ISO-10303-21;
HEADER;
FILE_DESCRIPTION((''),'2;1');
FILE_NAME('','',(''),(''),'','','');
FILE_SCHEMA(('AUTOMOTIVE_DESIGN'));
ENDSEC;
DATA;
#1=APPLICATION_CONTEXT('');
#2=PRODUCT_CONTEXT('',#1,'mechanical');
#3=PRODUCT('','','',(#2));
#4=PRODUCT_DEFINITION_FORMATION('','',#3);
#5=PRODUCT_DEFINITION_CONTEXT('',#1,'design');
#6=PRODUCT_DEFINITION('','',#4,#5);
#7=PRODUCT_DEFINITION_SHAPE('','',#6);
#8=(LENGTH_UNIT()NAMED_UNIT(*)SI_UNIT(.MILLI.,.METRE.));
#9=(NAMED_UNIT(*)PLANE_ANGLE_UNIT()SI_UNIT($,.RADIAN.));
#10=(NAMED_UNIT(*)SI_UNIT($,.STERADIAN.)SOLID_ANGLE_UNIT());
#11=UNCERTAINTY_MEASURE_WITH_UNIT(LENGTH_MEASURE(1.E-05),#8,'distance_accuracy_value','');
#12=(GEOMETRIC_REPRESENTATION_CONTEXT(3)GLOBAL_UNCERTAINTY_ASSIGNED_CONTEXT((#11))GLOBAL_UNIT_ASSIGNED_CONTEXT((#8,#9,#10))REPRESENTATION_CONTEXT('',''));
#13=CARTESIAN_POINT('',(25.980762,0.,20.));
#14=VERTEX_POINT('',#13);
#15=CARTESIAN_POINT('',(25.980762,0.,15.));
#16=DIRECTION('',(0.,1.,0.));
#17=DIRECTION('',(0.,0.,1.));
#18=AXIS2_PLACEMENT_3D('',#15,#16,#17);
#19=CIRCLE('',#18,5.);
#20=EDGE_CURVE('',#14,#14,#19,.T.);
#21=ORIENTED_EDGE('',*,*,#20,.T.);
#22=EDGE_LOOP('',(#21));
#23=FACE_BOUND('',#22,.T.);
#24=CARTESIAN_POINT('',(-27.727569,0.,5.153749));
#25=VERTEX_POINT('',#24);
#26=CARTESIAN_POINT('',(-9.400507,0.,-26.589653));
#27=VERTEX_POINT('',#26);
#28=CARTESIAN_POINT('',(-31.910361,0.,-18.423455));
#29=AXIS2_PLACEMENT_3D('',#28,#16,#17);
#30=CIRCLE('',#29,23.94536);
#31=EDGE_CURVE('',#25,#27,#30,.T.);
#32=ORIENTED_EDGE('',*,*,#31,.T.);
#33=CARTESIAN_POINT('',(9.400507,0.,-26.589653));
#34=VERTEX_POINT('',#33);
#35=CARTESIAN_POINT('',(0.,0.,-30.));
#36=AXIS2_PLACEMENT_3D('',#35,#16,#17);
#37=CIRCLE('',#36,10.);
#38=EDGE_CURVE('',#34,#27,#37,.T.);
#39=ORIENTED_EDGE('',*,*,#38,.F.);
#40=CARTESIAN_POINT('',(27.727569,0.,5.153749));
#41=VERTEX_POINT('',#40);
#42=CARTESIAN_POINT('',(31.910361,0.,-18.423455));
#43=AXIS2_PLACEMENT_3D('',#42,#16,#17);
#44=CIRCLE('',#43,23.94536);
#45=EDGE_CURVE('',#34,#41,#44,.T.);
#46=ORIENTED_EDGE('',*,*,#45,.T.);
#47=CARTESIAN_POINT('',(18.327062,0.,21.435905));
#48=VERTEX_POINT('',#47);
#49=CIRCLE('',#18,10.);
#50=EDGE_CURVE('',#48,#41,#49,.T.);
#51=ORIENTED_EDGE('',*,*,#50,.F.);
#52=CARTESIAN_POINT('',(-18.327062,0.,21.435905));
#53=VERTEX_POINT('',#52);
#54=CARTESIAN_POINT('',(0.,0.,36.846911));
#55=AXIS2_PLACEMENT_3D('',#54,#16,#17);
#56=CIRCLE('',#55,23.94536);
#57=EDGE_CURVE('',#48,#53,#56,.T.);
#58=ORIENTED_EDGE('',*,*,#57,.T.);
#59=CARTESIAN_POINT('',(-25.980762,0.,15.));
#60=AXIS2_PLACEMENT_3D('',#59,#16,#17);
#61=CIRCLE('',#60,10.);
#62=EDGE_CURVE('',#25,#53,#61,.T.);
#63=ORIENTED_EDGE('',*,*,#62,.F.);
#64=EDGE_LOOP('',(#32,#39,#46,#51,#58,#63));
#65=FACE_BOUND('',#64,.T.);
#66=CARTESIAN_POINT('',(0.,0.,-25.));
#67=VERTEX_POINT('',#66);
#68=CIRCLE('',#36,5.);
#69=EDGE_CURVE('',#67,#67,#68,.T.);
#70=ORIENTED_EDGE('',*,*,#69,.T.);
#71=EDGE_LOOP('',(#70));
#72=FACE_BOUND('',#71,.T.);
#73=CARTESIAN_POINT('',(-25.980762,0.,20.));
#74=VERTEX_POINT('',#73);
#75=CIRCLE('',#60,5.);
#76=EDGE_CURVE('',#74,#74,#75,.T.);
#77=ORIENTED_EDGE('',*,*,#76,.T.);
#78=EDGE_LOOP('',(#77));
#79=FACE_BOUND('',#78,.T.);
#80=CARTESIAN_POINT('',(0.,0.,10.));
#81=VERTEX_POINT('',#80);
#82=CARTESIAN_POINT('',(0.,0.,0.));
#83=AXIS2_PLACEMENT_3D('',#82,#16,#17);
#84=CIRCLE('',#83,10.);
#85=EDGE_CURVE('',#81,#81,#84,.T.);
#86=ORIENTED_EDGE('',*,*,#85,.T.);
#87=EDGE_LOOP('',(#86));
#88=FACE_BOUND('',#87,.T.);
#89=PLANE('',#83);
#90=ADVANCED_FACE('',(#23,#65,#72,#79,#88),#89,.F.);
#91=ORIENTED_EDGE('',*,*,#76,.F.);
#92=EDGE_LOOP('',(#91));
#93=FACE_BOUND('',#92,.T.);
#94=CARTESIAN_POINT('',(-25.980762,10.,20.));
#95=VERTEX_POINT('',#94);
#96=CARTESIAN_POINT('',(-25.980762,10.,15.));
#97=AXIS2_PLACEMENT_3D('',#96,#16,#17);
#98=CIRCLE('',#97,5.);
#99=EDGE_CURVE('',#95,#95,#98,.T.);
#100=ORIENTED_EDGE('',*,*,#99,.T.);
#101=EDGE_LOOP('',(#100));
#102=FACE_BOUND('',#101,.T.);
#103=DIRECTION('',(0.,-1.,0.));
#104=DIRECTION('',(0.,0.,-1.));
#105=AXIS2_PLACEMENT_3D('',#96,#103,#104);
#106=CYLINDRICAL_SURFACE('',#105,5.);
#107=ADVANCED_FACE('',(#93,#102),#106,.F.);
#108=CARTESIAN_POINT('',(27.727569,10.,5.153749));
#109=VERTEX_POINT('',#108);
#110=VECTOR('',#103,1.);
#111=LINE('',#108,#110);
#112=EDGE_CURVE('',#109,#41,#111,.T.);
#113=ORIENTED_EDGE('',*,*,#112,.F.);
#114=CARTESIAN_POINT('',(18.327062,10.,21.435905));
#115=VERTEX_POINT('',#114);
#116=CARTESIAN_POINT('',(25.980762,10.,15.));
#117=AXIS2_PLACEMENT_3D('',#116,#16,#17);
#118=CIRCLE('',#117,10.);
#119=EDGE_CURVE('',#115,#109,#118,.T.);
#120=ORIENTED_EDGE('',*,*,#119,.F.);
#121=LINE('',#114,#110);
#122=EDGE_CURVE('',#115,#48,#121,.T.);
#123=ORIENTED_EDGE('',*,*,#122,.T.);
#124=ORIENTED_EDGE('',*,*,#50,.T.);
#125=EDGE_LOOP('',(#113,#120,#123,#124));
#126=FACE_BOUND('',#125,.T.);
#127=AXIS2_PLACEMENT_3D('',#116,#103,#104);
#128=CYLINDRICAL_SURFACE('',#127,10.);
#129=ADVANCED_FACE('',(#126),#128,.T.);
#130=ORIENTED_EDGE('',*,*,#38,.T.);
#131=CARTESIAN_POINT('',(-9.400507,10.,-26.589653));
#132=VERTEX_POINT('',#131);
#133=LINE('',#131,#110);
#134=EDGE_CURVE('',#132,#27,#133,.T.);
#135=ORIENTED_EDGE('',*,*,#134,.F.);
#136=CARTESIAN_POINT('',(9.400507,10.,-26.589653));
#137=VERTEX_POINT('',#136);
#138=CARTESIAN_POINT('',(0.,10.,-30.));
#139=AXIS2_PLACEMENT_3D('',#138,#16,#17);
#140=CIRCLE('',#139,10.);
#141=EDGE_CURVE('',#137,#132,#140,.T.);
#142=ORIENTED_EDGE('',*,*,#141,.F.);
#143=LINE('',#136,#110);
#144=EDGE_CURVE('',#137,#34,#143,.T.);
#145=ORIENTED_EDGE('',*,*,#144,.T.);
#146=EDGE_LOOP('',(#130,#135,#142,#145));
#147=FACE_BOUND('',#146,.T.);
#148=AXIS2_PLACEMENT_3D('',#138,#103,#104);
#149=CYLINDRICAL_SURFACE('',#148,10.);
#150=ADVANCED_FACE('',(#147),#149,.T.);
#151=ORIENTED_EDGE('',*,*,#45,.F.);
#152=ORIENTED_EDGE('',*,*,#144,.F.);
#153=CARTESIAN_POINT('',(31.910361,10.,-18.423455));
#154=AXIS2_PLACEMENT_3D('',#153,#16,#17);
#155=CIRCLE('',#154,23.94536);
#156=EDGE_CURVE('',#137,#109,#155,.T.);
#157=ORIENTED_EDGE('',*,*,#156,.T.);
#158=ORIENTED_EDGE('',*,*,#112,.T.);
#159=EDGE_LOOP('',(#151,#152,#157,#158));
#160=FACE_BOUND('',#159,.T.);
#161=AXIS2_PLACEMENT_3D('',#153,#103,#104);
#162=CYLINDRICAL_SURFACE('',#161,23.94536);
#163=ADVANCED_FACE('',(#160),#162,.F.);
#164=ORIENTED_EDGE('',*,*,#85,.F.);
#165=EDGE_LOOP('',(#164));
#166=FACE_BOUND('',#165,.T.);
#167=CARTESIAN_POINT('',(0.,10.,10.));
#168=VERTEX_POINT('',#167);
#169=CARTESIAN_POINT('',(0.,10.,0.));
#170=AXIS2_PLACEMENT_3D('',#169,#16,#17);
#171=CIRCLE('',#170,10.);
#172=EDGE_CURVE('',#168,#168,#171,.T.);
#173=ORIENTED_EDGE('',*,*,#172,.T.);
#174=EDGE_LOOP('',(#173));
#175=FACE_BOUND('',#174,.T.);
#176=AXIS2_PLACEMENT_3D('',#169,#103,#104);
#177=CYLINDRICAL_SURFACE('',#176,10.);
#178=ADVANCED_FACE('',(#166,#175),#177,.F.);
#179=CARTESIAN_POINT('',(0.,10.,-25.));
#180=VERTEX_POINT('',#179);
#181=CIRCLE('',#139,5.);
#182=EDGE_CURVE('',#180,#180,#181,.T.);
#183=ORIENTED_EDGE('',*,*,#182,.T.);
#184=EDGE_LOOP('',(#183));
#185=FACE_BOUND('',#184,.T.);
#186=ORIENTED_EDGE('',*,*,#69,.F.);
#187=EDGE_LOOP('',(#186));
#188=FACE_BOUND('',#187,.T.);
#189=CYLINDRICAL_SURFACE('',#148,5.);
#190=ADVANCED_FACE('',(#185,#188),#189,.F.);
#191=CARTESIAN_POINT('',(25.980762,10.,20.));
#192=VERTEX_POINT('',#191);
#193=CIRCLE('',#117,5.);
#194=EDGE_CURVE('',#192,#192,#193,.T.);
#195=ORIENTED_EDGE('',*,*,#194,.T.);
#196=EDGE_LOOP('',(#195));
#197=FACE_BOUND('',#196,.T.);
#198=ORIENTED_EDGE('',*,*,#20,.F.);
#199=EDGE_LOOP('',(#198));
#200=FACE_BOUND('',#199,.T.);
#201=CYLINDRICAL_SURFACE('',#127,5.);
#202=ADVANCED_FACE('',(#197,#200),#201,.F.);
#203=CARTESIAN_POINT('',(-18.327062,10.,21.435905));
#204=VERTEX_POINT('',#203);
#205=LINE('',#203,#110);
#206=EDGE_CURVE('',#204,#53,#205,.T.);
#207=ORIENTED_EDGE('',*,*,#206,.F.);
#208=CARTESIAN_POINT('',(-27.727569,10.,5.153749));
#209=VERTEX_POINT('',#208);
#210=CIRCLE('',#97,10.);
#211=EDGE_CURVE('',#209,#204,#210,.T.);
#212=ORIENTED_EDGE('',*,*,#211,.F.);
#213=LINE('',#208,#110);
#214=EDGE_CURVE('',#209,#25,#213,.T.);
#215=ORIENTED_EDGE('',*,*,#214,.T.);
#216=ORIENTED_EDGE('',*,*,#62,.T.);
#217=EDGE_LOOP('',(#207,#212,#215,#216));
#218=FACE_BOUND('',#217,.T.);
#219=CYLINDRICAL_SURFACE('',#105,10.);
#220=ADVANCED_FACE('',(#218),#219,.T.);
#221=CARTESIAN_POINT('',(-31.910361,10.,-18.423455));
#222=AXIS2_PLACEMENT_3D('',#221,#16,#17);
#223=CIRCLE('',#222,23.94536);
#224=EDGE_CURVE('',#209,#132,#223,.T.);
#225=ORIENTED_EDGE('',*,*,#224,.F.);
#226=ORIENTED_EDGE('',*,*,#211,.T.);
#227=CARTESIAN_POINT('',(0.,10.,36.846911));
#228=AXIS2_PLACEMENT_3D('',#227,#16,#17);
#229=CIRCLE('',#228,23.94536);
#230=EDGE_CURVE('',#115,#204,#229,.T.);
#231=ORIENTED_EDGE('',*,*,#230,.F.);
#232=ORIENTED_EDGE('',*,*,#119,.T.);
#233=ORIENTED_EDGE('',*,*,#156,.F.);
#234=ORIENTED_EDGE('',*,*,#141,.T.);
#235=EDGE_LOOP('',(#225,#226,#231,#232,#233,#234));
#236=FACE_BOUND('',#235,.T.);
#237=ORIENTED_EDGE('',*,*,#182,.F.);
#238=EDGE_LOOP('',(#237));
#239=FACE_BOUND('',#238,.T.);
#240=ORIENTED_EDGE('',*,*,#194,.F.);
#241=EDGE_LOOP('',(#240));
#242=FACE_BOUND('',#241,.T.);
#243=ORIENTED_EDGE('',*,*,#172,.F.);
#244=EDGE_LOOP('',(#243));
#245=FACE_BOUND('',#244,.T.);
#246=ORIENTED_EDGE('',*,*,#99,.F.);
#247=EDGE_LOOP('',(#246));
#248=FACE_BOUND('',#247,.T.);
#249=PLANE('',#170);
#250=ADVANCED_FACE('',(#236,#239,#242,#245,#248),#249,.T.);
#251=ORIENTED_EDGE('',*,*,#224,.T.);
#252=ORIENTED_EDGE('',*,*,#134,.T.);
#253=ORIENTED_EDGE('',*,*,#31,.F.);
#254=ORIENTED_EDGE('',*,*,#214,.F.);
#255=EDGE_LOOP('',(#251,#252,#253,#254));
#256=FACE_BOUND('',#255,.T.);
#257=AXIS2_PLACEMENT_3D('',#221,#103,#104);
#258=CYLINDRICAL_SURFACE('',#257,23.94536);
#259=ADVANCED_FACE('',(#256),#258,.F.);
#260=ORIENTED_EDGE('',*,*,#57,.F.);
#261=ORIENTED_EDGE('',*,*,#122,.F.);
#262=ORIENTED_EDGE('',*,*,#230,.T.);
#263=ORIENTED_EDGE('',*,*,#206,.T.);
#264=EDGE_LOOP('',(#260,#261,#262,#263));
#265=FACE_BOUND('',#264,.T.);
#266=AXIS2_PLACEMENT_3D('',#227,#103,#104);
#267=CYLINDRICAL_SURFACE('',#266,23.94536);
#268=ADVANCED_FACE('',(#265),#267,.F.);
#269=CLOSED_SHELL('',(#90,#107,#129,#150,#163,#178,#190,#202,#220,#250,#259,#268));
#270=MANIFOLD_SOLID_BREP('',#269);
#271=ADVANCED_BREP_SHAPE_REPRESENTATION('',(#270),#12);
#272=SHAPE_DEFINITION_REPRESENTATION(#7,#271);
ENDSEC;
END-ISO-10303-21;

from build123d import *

# Parameters (mm, degrees)
SKETCH1_R           = 10
SKETCH1_R_2         = 5
BOSS_EXTRUDE1_DEPTH = 10


with BuildPart() as part:
    # Sketch1 → Boss-Extrude1 (new body)
    with BuildSketch(Plane(origin=(0, 0, 0), x_dir=(1, 0, 0), z_dir=(0, 1, 0))):
        with BuildLine():
            ThreePointArc((-9.400507195, 26.58965332), (-11.173070065, 6.45077501), (-27.72756885, -5.153748621))
            ThreePointArc((-27.72756885, -5.153748621), (-34.641016151, -20), (-18.327061655, -21.435904699))
            ThreePointArc((-18.327061655, -21.435904699), (0, -12.901550019), (18.327061655, -21.435904699))
            ThreePointArc((18.327061655, -21.435904699), (34.641016151, -20), (27.72756885, -5.153748621))
            ThreePointArc((27.72756885, -5.153748621), (11.173070065, 6.45077501), (9.400507195, 26.58965332))
            ThreePointArc((9.400507195, 26.58965332), (0, 40), (-9.400507195, 26.58965332))
        make_face()
        with Locations(Location((0, 0, 0), (0, 0, 270))):
            Circle(SKETCH1_R, mode=Mode.SUBTRACT)
        with Locations(Location((25.980762114, -15, 0), (0, 0, 270))):
            Circle(SKETCH1_R_2, mode=Mode.SUBTRACT)
        with Locations(Location((0, 30, 0), (0, 0, 270))):
            Circle(SKETCH1_R_2, mode=Mode.SUBTRACT)
        with Locations(Location((-25.980762114, -15, 0), (0, 0, 270))):
            Circle(SKETCH1_R_2, mode=Mode.SUBTRACT)
    extrude(amount=BOSS_EXTRUDE1_DEPTH)


solid = part.part
